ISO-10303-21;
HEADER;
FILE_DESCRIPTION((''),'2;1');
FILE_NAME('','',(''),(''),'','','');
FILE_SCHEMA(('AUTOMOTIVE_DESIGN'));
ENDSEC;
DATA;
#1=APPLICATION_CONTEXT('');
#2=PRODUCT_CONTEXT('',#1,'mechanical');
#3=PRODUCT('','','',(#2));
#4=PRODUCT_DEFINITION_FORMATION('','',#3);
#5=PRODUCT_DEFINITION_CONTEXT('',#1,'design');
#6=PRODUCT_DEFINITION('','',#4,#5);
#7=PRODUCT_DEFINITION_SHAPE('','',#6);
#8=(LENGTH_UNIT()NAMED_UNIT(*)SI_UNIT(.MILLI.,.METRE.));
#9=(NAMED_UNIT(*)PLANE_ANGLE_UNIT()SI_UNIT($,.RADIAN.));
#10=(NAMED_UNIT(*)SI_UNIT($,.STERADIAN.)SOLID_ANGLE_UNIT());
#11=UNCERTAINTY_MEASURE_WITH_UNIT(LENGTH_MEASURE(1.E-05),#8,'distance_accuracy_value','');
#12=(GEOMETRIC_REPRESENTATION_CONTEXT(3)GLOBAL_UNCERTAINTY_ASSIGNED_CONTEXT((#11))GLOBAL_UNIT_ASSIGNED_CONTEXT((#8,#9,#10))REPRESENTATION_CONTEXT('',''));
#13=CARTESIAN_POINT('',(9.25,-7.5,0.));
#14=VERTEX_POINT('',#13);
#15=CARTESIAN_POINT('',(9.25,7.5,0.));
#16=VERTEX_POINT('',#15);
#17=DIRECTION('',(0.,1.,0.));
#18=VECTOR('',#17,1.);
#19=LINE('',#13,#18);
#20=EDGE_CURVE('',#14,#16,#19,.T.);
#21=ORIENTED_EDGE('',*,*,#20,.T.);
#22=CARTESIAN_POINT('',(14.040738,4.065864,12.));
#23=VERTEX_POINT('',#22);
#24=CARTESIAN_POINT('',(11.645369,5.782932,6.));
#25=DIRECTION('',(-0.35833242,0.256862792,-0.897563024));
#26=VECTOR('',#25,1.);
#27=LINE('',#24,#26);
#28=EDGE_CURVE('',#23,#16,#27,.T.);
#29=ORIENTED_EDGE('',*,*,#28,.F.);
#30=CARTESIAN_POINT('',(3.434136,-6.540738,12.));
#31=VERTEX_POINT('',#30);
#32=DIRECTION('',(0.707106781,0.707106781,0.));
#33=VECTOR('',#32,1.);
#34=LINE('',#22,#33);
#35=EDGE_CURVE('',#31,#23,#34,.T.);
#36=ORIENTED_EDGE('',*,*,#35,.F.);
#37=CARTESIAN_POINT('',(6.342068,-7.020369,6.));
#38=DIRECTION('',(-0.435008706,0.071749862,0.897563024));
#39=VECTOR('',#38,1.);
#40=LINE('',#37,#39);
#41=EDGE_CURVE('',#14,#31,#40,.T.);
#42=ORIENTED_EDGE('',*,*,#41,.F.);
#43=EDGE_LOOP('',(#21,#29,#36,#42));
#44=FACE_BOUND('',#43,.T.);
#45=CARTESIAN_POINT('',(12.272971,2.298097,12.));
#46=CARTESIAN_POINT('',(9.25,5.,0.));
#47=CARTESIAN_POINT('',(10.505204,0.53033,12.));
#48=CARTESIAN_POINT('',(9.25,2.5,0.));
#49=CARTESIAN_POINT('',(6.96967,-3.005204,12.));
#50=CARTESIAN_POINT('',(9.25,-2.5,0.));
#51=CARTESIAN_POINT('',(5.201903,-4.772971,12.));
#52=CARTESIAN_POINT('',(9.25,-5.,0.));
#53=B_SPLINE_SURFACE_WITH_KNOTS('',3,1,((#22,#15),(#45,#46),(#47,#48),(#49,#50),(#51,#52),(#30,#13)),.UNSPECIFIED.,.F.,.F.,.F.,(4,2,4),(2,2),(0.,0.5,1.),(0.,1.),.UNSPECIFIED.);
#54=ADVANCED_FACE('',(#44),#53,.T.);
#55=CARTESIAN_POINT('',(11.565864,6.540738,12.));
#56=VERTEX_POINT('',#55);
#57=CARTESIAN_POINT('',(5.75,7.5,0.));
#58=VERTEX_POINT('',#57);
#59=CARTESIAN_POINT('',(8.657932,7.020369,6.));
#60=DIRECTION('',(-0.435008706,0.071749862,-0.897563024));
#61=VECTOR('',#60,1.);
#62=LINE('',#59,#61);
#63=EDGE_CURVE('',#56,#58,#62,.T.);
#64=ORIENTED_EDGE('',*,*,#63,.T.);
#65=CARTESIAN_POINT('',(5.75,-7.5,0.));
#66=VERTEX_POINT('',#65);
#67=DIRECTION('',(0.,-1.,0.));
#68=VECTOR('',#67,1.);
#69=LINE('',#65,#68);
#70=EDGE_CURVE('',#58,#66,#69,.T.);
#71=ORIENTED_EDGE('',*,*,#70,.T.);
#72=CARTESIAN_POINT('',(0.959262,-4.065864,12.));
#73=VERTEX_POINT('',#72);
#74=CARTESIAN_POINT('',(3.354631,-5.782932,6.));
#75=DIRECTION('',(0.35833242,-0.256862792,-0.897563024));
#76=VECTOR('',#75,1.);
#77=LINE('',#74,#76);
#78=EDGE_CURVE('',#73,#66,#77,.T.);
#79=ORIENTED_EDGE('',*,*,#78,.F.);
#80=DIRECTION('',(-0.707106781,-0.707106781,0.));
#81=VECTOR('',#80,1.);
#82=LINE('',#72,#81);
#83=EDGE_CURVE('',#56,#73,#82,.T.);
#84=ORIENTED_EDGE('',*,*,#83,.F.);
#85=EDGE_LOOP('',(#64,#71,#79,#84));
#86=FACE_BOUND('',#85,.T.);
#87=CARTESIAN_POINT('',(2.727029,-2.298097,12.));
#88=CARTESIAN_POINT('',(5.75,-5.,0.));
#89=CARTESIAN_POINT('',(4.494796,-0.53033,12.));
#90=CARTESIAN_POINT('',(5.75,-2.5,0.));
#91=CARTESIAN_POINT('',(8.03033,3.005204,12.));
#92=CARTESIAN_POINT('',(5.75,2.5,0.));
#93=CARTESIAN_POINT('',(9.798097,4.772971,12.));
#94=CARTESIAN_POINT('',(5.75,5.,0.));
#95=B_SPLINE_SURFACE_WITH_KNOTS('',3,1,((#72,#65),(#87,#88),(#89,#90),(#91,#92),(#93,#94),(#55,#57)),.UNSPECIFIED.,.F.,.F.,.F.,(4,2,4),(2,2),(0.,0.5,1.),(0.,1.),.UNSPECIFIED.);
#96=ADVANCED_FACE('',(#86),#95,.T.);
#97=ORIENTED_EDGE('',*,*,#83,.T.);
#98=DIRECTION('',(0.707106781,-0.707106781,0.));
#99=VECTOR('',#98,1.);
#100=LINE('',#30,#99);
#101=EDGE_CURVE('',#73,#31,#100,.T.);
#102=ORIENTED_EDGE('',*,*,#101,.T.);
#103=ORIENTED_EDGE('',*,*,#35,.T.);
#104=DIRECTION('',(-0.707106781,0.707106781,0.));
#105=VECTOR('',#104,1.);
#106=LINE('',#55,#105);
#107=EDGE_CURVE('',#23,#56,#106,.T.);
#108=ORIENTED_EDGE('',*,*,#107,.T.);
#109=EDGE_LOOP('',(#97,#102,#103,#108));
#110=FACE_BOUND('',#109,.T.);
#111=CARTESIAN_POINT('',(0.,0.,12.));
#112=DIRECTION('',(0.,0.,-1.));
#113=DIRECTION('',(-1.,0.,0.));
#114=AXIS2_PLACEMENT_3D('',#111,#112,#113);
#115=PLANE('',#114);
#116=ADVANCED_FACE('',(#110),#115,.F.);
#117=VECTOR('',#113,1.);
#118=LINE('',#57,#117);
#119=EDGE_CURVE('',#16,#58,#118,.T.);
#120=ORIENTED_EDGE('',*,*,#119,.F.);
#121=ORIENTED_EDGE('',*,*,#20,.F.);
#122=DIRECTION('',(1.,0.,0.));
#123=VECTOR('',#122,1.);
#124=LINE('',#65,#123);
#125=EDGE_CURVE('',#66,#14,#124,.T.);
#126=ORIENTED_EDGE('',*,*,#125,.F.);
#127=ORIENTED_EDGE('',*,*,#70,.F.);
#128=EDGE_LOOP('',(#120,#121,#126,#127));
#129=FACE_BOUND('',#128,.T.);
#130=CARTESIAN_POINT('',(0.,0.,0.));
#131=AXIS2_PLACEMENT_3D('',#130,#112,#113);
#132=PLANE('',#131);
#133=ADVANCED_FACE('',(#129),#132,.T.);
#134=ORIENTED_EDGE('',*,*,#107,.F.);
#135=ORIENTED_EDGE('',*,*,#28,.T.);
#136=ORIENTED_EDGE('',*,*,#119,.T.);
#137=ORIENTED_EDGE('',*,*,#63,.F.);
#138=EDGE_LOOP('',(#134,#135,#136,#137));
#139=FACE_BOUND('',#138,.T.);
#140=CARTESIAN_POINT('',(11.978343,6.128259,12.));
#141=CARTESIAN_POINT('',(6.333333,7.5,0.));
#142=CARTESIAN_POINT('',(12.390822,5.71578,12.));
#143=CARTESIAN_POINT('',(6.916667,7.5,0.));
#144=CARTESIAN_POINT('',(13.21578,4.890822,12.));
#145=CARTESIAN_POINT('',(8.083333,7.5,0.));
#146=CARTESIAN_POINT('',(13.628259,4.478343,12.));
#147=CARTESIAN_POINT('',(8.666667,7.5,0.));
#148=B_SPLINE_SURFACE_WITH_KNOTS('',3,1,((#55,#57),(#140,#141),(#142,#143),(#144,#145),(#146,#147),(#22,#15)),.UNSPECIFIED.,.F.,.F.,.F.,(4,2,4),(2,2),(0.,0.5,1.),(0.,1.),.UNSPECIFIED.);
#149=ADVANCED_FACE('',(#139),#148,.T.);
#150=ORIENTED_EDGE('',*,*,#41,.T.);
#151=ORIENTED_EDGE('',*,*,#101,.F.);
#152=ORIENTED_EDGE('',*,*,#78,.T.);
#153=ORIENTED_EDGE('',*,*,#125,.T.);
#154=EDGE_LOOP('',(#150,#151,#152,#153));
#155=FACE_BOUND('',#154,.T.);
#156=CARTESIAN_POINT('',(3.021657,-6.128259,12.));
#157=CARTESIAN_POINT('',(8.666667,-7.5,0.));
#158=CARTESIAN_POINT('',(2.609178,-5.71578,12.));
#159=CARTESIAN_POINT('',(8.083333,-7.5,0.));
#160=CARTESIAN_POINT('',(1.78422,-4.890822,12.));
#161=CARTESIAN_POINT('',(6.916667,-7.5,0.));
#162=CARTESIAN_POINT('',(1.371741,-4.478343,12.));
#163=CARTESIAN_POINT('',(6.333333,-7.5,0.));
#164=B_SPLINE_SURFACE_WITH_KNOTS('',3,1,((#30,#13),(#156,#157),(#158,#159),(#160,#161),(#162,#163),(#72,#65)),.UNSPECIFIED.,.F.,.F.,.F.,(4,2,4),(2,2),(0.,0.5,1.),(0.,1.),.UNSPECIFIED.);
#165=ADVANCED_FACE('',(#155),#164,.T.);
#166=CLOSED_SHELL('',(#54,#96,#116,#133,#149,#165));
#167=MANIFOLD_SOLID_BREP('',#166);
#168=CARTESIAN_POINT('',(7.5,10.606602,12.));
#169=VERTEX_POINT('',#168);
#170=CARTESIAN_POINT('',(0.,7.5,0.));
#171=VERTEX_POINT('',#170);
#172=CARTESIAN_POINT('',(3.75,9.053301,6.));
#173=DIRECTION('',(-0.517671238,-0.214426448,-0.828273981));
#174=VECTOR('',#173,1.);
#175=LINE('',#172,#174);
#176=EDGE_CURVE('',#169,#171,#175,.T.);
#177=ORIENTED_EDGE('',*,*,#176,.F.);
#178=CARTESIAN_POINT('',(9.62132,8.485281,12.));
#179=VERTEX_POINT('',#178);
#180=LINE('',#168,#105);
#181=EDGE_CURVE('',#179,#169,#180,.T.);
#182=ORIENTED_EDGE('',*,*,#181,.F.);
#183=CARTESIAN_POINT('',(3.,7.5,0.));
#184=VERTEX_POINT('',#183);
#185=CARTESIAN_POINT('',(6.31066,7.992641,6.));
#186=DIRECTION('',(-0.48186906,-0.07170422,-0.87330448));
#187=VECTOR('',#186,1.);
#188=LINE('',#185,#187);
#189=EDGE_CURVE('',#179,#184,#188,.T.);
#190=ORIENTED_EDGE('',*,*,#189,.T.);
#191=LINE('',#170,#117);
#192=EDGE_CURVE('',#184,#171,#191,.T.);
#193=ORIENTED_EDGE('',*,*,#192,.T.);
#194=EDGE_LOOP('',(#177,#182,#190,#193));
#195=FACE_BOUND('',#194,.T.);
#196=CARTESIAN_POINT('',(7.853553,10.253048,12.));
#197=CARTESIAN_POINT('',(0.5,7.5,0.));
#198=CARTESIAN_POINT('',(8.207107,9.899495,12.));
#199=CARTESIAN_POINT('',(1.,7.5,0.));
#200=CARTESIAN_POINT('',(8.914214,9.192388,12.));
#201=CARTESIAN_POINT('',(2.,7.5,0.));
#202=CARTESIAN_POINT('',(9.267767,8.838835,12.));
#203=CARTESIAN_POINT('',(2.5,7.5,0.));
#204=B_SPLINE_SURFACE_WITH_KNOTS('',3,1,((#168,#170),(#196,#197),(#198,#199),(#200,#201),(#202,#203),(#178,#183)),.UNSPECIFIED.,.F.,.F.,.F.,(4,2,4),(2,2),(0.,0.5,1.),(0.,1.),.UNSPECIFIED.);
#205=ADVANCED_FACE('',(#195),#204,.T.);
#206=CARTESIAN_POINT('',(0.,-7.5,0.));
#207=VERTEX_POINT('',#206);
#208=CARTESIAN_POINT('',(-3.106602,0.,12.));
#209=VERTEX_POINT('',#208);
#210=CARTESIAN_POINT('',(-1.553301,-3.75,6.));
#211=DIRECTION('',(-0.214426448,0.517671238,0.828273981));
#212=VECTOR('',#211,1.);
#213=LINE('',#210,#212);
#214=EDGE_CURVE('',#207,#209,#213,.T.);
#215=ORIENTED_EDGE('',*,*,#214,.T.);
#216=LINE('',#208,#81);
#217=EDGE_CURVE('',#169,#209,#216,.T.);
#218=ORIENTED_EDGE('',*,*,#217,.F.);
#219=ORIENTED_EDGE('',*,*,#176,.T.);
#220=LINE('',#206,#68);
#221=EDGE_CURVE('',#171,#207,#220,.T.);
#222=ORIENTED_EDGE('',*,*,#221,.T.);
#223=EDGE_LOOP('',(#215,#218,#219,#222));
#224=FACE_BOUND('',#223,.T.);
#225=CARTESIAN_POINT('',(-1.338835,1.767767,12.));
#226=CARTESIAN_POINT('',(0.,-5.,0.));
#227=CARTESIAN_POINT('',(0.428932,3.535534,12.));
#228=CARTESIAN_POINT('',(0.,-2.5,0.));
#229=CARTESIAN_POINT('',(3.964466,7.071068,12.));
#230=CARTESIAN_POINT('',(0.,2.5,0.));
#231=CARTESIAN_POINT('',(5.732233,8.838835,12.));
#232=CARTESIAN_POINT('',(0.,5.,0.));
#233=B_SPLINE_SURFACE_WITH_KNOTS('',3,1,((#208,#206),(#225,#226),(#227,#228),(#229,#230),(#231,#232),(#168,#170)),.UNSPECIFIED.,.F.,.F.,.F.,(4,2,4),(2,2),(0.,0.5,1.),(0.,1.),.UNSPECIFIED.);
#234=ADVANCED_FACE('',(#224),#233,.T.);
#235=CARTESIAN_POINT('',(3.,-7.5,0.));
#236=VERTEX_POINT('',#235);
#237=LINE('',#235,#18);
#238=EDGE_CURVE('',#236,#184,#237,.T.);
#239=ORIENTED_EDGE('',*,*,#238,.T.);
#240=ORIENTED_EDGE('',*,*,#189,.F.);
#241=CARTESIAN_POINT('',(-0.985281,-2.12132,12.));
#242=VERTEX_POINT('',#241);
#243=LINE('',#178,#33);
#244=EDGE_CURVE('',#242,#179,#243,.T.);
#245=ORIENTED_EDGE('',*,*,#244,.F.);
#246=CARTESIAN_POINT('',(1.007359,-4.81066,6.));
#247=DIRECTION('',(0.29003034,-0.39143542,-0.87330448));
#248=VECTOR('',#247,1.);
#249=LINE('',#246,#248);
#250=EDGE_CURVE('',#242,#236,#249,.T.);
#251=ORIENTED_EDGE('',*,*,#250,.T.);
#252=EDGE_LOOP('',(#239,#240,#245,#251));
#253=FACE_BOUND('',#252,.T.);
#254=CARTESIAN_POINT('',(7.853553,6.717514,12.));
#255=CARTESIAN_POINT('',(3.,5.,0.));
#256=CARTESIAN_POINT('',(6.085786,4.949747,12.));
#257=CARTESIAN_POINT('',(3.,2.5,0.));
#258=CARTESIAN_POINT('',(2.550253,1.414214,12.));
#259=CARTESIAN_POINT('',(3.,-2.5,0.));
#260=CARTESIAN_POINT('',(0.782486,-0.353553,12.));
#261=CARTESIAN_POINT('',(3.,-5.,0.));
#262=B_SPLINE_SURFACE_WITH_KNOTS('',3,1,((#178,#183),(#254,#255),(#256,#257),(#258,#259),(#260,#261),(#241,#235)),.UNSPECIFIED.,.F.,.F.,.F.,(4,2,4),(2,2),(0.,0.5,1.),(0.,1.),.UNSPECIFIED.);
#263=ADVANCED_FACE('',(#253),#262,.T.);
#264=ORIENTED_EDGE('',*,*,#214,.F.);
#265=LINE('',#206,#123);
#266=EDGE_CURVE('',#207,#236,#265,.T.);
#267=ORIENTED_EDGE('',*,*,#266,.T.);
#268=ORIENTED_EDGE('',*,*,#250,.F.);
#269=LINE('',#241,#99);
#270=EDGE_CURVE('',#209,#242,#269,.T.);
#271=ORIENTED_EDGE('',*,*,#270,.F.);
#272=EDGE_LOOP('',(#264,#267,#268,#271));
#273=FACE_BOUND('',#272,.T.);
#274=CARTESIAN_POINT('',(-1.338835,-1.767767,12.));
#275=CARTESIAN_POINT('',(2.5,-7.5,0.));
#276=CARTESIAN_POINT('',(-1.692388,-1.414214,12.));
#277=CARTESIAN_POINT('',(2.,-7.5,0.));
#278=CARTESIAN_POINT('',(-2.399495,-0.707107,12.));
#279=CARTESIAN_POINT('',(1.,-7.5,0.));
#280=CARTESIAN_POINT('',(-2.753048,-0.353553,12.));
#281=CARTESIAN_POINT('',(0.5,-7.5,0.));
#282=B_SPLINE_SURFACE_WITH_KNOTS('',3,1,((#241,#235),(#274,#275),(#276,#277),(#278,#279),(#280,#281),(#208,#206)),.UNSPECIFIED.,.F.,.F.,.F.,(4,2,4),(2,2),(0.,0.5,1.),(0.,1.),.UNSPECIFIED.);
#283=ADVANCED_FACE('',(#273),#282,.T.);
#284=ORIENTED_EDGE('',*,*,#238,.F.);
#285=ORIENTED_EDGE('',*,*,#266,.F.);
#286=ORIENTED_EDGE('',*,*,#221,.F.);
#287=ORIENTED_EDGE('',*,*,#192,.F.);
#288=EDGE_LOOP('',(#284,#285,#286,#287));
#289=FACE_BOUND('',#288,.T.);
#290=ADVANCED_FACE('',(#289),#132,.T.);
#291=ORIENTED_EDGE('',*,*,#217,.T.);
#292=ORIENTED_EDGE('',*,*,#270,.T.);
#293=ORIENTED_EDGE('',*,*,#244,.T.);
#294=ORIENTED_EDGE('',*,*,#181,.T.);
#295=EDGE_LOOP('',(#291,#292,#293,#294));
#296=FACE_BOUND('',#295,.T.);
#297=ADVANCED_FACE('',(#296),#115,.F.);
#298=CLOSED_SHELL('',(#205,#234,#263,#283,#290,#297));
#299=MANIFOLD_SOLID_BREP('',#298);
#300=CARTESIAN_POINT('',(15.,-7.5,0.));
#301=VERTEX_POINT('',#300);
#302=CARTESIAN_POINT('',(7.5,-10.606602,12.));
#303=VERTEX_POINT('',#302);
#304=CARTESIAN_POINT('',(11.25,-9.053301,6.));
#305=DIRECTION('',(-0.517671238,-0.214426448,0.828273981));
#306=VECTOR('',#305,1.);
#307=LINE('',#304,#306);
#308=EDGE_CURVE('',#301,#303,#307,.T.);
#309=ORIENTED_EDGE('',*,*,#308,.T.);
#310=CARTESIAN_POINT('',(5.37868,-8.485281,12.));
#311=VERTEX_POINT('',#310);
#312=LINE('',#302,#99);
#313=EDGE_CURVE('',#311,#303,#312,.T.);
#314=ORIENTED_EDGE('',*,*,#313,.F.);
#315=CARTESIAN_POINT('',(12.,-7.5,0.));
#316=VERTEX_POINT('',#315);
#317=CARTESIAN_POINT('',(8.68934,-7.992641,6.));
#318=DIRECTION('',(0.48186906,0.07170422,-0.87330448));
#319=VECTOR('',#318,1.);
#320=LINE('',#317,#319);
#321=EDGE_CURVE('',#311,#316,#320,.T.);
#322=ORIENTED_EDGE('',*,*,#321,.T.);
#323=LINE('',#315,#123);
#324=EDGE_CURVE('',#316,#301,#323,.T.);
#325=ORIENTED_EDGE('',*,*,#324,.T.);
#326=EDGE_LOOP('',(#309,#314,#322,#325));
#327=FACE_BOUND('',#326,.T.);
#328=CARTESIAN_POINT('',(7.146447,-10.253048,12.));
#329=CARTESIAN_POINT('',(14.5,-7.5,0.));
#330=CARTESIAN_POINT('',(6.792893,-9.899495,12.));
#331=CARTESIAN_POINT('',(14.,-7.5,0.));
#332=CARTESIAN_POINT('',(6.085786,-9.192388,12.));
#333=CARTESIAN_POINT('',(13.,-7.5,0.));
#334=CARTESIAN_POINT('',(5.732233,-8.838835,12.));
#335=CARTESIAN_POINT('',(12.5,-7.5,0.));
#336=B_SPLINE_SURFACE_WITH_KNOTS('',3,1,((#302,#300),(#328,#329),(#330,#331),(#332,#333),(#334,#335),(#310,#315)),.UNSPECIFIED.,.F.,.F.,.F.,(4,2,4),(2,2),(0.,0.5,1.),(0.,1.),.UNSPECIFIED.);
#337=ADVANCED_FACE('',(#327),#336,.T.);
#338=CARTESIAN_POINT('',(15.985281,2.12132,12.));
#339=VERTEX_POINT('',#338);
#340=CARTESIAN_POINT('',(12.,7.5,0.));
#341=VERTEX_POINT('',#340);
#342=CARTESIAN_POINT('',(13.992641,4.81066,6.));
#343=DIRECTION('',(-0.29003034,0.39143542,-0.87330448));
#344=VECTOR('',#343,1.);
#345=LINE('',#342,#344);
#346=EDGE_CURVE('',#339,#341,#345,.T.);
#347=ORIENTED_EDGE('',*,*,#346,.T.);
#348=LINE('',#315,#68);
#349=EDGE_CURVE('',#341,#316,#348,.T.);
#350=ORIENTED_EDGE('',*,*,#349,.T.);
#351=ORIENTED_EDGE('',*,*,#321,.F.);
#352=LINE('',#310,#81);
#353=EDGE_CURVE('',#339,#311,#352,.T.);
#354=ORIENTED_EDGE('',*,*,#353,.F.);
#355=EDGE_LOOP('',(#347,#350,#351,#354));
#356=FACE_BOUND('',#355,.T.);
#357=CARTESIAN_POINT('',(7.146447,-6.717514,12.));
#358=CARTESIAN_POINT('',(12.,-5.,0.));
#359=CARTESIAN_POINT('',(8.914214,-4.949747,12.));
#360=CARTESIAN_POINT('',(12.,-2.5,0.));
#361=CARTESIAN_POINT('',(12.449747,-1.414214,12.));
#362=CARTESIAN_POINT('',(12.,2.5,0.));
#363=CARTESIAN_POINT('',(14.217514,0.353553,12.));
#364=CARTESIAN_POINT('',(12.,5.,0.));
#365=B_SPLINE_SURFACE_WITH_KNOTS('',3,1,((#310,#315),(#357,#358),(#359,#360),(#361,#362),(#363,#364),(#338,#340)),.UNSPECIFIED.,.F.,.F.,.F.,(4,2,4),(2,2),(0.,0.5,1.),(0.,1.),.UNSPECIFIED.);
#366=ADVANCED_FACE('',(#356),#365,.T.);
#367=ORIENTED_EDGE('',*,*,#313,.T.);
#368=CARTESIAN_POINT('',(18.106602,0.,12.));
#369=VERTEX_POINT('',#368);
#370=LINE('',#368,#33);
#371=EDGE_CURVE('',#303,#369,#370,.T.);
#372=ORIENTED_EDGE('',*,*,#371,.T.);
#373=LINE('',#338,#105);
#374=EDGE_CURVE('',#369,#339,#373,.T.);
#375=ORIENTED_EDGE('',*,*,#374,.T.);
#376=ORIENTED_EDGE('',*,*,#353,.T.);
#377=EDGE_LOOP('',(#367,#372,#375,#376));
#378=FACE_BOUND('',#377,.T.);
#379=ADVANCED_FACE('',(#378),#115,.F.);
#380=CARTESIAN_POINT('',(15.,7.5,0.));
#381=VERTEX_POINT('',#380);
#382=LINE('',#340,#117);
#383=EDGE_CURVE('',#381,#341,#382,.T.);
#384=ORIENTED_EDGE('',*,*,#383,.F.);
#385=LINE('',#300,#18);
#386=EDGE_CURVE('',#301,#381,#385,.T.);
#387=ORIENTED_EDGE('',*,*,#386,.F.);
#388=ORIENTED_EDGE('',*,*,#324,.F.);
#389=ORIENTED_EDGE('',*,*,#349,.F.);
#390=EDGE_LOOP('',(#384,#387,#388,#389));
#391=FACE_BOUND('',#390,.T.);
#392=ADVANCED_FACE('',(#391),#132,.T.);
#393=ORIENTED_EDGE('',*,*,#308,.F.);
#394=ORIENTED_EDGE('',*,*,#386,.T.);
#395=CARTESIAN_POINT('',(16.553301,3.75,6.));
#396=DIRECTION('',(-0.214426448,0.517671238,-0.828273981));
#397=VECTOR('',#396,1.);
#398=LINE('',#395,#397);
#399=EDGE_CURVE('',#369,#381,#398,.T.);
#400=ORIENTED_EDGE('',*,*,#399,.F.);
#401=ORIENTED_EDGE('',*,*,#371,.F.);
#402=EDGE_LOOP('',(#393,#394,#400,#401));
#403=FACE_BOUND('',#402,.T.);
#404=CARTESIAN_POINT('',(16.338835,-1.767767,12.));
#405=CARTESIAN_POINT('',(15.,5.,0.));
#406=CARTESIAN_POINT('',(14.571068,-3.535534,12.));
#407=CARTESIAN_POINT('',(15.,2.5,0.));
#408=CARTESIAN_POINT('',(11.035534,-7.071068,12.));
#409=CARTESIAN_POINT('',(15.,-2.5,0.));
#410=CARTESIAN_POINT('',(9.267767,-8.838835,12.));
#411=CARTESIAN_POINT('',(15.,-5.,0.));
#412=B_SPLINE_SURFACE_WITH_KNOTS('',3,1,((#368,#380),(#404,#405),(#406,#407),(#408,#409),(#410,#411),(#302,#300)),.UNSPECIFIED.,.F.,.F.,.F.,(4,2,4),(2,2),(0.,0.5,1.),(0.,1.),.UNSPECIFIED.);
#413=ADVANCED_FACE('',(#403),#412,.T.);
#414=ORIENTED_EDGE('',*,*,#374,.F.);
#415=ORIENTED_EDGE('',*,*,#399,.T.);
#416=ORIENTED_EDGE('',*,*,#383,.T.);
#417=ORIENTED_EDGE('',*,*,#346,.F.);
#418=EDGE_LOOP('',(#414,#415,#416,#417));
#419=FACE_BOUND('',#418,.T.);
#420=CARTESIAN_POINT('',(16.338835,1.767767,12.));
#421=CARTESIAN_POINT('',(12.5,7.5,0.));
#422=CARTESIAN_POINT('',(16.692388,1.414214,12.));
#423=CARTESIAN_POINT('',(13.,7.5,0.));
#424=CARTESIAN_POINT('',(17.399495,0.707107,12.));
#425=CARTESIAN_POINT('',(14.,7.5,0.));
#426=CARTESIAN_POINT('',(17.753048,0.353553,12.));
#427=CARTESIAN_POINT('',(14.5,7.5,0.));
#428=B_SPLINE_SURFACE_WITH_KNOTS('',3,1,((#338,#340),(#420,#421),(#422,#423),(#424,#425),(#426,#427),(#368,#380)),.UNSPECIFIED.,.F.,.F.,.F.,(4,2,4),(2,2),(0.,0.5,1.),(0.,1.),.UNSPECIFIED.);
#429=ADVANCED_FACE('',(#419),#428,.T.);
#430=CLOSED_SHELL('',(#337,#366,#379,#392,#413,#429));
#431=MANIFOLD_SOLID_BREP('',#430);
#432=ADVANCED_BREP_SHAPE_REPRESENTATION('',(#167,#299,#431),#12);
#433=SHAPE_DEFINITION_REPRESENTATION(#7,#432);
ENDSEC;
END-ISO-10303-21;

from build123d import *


with BuildPart() as part:
    # Sketch2 → Loft5 section 0
    with BuildSketch(Plane.XY.offset(12)):
        with BuildLine():
            Line((-3.106601718, 0), (7.5, 10.606601718))
            Line((7.5, 10.606601718), (9.621320344, 8.485281374))
            Line((9.621320344, 8.485281374), (-0.985281374, -2.121320344))
            Line((-0.985281374, -2.121320344), (-3.106601718, 0))
        make_face()
    # Sketch1 → Loft5 section 1
    with BuildSketch(Plane.XY):
        with BuildLine():
            Line((0, -7.5), (3, -7.5))
            Line((3, -7.5), (3, 7.5))
            Line((3, 7.5), (0, 7.5))
            Line((0, 7.5), (0, -7.5))
        make_face()
    loft()


with BuildPart() as body_2:
    # Sketch5 → Loft6 section 0
    with BuildSketch(Plane.XY.offset(12)):
        with BuildLine():
            Line((0.959262274, -4.065863992), (11.565863992, 6.540737726))
            Line((11.565863992, 6.540737726), (14.040737726, 4.065863992))
            Line((14.040737726, 4.065863992), (3.434136008, -6.540737726))
            Line((3.434136008, -6.540737726), (0.959262274, -4.065863992))
        make_face()
    # Sketch3 → Loft6 section 1
    with BuildSketch(Plane.XY):
        with BuildLine():
            Line((5.75, -7.5), (9.25, -7.5))
            Line((9.25, -7.5), (9.25, 7.5))
            Line((9.25, 7.5), (5.75, 7.5))
            Line((5.75, 7.5), (5.75, -7.5))
        make_face()
    loft()


with BuildPart() as body_3:
    # Sketch6 → Loft7 section 0
    with BuildSketch(Plane.XY.offset(12)):
        with BuildLine():
            Line((5.378679656, -8.485281374), (15.985281374, 2.121320344))
            Line((15.985281374, 2.121320344), (18.106601718, 0))
            Line((18.106601718, 0), (7.5, -10.606601718))
            Line((7.5, -10.606601718), (5.378679656, -8.485281374))
        make_face()
    # Sketch4 → Loft7 section 1
    with BuildSketch(Plane.XY):
        with BuildLine():
            Line((12, -7.5), (15, -7.5))
            Line((15, -7.5), (15, 7.5))
            Line((15, 7.5), (12, 7.5))
            Line((12, 7.5), (12, -7.5))
        make_face()
    loft()


solid = Compound([part.part, body_2.part, body_3.part])
